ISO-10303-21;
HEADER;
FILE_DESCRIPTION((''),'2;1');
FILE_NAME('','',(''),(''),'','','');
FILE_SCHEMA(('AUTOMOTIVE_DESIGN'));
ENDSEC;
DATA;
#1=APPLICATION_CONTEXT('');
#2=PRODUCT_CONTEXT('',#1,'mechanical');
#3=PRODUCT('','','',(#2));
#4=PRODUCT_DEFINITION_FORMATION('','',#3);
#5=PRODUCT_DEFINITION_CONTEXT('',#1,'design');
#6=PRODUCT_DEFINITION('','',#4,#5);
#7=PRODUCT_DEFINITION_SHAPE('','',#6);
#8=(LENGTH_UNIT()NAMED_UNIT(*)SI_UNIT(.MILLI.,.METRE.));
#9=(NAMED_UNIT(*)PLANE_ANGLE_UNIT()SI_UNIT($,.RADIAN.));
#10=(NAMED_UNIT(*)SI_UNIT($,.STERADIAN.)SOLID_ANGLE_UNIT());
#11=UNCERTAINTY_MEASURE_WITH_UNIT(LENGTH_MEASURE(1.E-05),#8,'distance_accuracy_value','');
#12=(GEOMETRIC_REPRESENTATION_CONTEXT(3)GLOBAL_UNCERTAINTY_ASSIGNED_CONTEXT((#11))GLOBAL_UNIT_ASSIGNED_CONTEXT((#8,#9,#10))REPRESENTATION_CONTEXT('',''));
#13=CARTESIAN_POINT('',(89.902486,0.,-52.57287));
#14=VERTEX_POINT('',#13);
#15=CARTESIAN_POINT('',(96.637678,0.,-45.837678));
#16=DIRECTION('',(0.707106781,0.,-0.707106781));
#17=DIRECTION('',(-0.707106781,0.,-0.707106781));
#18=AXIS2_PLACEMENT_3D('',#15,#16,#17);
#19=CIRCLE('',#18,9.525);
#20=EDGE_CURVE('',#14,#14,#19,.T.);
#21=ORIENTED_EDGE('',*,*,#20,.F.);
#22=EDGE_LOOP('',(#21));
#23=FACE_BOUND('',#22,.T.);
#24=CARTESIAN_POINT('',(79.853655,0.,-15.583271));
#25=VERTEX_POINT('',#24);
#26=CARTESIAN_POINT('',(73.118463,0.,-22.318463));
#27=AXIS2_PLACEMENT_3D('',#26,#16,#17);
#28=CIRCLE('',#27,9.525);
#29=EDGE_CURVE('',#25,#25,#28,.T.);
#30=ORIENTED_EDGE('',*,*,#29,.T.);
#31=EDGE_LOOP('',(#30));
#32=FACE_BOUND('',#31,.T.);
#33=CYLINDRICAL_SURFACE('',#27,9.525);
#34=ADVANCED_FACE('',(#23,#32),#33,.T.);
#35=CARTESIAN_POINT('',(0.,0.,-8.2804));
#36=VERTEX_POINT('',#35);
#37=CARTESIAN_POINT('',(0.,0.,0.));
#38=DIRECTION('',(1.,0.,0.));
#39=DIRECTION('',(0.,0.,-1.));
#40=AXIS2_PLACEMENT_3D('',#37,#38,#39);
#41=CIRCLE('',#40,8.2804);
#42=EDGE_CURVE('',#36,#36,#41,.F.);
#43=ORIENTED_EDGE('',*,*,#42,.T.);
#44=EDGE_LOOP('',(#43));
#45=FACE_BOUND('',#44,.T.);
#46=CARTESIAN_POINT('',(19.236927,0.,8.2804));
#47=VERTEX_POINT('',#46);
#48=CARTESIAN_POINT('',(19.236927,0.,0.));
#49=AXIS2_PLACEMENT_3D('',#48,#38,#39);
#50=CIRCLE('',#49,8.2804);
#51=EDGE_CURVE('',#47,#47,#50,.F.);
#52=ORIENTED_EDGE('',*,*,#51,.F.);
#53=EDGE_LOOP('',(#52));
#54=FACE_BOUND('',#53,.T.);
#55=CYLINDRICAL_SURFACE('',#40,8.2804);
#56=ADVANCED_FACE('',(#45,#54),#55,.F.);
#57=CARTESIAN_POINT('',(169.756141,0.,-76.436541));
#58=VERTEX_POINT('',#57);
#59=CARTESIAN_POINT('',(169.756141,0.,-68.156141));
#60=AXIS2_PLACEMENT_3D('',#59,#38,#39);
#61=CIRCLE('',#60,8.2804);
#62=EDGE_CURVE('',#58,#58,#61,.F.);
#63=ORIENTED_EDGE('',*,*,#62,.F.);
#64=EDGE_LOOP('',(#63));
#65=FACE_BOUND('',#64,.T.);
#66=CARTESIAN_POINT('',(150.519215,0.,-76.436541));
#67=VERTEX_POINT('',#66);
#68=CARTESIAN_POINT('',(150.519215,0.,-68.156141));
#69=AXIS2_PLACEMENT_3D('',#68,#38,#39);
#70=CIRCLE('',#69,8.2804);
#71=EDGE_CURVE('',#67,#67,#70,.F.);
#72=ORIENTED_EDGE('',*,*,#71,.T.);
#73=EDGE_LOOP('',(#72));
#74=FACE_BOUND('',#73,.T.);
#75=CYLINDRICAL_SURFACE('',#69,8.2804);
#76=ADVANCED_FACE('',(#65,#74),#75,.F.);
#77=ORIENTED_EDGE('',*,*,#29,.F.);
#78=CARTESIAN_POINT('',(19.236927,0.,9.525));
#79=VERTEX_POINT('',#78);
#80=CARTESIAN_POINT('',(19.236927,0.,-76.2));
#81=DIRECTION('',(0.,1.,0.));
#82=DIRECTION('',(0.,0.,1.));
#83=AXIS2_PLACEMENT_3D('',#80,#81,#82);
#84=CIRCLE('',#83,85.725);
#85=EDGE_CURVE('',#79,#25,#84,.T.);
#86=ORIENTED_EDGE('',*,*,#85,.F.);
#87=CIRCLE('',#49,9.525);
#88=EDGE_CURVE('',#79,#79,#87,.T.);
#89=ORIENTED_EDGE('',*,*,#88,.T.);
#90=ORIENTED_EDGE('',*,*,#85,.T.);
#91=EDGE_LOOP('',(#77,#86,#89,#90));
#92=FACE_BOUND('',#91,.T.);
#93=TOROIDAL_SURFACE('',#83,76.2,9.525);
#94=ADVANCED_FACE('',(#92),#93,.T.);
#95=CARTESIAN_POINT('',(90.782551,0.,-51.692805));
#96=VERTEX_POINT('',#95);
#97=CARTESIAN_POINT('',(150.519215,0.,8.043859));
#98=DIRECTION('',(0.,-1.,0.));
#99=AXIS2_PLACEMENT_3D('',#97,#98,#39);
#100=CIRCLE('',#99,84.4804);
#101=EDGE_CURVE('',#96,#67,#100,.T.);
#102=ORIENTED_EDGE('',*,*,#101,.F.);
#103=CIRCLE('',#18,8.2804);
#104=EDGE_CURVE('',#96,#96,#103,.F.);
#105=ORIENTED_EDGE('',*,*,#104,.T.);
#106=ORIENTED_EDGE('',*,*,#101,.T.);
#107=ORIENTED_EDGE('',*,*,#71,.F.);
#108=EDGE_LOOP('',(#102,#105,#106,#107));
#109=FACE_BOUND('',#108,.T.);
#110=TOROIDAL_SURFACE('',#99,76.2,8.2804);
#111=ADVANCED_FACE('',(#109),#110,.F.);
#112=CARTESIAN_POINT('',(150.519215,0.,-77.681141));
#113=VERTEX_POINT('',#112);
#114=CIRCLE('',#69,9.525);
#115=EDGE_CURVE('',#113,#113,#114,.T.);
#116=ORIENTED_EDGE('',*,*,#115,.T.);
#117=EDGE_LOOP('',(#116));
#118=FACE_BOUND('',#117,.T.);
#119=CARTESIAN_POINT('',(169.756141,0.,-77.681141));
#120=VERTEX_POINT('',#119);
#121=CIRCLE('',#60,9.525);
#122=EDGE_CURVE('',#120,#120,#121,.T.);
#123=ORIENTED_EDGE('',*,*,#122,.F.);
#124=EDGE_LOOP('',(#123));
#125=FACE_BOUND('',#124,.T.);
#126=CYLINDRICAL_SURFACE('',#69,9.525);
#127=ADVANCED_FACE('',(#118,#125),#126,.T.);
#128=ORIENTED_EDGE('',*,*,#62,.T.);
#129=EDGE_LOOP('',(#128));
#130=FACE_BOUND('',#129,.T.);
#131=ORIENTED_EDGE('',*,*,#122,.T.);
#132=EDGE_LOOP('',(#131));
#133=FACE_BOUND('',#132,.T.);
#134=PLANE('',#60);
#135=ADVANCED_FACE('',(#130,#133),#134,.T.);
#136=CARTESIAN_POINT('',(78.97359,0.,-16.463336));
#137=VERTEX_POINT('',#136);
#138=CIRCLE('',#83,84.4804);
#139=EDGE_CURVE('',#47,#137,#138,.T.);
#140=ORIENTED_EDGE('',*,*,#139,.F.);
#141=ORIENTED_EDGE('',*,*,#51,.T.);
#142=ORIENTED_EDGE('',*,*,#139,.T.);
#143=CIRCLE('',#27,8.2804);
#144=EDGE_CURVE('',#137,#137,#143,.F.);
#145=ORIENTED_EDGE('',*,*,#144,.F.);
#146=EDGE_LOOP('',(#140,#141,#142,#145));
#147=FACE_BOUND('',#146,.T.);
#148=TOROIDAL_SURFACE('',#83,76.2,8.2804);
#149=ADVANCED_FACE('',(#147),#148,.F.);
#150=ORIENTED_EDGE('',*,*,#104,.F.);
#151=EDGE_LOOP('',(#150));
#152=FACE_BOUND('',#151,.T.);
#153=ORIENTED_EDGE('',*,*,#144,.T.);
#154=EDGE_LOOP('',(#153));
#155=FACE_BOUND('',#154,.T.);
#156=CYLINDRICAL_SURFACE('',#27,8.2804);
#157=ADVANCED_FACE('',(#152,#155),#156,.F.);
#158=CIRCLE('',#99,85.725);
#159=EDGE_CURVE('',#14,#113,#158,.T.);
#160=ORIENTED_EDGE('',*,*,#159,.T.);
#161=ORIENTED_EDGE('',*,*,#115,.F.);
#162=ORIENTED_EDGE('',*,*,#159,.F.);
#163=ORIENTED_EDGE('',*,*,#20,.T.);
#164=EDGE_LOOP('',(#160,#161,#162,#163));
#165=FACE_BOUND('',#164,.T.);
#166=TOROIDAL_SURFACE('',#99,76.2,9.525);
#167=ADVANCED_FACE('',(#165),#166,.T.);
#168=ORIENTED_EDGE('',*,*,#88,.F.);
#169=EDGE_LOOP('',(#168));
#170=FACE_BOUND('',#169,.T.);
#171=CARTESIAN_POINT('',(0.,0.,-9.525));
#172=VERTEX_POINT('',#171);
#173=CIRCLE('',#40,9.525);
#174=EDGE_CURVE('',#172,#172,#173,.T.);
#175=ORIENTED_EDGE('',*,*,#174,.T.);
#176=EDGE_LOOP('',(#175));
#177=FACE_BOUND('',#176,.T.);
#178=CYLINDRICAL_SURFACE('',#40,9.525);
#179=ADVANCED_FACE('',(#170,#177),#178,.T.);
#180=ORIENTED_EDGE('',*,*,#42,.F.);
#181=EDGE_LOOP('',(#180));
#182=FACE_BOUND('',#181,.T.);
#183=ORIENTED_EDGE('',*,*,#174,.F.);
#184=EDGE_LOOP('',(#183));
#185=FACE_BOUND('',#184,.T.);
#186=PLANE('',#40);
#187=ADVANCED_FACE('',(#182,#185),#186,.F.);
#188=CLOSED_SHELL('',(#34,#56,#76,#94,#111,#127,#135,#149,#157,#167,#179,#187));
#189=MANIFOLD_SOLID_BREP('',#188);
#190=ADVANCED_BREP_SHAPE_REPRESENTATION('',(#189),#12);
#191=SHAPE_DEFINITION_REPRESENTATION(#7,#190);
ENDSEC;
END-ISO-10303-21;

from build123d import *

# Parameters (mm, degrees)
SKETCH2_R   = 9.525
SKETCH2_R_2 = 8.2804


with BuildPart() as part:
    # Sweep1: sweep along a path in Sketch1
    with BuildLine(Plane(origin=(0, 0, 0), x_dir=(1, 0, 0), z_dir=(0, 1, 0))) as sweep1_path:
        Line((0, 0), (19.236926547, 0))
        ThreePointArc((19.236926547, 0), (48.397404093, 5.800379623), (73.118463274, 22.318463274))
        Line((73.118463274, 22.318463274), (96.637678138, 45.837678138))
        ThreePointArc((96.637678138, 45.837678138), (121.358737318, 62.355761789), (150.519214864, 68.156141412))
        Line((150.519214864, 68.156141412), (169.756141412, 68.156141412))
    # Sketch2 → Sweep1 (sweep)
    with BuildSketch(Plane(origin=(0, 0, 0), x_dir=(0, 0, -1), z_dir=(1, 0, 0))):
        Circle(SKETCH2_R)
        Circle(SKETCH2_R_2, mode=Mode.SUBTRACT)
    sweep(path=sweep1_path.line)


solid = part.part
